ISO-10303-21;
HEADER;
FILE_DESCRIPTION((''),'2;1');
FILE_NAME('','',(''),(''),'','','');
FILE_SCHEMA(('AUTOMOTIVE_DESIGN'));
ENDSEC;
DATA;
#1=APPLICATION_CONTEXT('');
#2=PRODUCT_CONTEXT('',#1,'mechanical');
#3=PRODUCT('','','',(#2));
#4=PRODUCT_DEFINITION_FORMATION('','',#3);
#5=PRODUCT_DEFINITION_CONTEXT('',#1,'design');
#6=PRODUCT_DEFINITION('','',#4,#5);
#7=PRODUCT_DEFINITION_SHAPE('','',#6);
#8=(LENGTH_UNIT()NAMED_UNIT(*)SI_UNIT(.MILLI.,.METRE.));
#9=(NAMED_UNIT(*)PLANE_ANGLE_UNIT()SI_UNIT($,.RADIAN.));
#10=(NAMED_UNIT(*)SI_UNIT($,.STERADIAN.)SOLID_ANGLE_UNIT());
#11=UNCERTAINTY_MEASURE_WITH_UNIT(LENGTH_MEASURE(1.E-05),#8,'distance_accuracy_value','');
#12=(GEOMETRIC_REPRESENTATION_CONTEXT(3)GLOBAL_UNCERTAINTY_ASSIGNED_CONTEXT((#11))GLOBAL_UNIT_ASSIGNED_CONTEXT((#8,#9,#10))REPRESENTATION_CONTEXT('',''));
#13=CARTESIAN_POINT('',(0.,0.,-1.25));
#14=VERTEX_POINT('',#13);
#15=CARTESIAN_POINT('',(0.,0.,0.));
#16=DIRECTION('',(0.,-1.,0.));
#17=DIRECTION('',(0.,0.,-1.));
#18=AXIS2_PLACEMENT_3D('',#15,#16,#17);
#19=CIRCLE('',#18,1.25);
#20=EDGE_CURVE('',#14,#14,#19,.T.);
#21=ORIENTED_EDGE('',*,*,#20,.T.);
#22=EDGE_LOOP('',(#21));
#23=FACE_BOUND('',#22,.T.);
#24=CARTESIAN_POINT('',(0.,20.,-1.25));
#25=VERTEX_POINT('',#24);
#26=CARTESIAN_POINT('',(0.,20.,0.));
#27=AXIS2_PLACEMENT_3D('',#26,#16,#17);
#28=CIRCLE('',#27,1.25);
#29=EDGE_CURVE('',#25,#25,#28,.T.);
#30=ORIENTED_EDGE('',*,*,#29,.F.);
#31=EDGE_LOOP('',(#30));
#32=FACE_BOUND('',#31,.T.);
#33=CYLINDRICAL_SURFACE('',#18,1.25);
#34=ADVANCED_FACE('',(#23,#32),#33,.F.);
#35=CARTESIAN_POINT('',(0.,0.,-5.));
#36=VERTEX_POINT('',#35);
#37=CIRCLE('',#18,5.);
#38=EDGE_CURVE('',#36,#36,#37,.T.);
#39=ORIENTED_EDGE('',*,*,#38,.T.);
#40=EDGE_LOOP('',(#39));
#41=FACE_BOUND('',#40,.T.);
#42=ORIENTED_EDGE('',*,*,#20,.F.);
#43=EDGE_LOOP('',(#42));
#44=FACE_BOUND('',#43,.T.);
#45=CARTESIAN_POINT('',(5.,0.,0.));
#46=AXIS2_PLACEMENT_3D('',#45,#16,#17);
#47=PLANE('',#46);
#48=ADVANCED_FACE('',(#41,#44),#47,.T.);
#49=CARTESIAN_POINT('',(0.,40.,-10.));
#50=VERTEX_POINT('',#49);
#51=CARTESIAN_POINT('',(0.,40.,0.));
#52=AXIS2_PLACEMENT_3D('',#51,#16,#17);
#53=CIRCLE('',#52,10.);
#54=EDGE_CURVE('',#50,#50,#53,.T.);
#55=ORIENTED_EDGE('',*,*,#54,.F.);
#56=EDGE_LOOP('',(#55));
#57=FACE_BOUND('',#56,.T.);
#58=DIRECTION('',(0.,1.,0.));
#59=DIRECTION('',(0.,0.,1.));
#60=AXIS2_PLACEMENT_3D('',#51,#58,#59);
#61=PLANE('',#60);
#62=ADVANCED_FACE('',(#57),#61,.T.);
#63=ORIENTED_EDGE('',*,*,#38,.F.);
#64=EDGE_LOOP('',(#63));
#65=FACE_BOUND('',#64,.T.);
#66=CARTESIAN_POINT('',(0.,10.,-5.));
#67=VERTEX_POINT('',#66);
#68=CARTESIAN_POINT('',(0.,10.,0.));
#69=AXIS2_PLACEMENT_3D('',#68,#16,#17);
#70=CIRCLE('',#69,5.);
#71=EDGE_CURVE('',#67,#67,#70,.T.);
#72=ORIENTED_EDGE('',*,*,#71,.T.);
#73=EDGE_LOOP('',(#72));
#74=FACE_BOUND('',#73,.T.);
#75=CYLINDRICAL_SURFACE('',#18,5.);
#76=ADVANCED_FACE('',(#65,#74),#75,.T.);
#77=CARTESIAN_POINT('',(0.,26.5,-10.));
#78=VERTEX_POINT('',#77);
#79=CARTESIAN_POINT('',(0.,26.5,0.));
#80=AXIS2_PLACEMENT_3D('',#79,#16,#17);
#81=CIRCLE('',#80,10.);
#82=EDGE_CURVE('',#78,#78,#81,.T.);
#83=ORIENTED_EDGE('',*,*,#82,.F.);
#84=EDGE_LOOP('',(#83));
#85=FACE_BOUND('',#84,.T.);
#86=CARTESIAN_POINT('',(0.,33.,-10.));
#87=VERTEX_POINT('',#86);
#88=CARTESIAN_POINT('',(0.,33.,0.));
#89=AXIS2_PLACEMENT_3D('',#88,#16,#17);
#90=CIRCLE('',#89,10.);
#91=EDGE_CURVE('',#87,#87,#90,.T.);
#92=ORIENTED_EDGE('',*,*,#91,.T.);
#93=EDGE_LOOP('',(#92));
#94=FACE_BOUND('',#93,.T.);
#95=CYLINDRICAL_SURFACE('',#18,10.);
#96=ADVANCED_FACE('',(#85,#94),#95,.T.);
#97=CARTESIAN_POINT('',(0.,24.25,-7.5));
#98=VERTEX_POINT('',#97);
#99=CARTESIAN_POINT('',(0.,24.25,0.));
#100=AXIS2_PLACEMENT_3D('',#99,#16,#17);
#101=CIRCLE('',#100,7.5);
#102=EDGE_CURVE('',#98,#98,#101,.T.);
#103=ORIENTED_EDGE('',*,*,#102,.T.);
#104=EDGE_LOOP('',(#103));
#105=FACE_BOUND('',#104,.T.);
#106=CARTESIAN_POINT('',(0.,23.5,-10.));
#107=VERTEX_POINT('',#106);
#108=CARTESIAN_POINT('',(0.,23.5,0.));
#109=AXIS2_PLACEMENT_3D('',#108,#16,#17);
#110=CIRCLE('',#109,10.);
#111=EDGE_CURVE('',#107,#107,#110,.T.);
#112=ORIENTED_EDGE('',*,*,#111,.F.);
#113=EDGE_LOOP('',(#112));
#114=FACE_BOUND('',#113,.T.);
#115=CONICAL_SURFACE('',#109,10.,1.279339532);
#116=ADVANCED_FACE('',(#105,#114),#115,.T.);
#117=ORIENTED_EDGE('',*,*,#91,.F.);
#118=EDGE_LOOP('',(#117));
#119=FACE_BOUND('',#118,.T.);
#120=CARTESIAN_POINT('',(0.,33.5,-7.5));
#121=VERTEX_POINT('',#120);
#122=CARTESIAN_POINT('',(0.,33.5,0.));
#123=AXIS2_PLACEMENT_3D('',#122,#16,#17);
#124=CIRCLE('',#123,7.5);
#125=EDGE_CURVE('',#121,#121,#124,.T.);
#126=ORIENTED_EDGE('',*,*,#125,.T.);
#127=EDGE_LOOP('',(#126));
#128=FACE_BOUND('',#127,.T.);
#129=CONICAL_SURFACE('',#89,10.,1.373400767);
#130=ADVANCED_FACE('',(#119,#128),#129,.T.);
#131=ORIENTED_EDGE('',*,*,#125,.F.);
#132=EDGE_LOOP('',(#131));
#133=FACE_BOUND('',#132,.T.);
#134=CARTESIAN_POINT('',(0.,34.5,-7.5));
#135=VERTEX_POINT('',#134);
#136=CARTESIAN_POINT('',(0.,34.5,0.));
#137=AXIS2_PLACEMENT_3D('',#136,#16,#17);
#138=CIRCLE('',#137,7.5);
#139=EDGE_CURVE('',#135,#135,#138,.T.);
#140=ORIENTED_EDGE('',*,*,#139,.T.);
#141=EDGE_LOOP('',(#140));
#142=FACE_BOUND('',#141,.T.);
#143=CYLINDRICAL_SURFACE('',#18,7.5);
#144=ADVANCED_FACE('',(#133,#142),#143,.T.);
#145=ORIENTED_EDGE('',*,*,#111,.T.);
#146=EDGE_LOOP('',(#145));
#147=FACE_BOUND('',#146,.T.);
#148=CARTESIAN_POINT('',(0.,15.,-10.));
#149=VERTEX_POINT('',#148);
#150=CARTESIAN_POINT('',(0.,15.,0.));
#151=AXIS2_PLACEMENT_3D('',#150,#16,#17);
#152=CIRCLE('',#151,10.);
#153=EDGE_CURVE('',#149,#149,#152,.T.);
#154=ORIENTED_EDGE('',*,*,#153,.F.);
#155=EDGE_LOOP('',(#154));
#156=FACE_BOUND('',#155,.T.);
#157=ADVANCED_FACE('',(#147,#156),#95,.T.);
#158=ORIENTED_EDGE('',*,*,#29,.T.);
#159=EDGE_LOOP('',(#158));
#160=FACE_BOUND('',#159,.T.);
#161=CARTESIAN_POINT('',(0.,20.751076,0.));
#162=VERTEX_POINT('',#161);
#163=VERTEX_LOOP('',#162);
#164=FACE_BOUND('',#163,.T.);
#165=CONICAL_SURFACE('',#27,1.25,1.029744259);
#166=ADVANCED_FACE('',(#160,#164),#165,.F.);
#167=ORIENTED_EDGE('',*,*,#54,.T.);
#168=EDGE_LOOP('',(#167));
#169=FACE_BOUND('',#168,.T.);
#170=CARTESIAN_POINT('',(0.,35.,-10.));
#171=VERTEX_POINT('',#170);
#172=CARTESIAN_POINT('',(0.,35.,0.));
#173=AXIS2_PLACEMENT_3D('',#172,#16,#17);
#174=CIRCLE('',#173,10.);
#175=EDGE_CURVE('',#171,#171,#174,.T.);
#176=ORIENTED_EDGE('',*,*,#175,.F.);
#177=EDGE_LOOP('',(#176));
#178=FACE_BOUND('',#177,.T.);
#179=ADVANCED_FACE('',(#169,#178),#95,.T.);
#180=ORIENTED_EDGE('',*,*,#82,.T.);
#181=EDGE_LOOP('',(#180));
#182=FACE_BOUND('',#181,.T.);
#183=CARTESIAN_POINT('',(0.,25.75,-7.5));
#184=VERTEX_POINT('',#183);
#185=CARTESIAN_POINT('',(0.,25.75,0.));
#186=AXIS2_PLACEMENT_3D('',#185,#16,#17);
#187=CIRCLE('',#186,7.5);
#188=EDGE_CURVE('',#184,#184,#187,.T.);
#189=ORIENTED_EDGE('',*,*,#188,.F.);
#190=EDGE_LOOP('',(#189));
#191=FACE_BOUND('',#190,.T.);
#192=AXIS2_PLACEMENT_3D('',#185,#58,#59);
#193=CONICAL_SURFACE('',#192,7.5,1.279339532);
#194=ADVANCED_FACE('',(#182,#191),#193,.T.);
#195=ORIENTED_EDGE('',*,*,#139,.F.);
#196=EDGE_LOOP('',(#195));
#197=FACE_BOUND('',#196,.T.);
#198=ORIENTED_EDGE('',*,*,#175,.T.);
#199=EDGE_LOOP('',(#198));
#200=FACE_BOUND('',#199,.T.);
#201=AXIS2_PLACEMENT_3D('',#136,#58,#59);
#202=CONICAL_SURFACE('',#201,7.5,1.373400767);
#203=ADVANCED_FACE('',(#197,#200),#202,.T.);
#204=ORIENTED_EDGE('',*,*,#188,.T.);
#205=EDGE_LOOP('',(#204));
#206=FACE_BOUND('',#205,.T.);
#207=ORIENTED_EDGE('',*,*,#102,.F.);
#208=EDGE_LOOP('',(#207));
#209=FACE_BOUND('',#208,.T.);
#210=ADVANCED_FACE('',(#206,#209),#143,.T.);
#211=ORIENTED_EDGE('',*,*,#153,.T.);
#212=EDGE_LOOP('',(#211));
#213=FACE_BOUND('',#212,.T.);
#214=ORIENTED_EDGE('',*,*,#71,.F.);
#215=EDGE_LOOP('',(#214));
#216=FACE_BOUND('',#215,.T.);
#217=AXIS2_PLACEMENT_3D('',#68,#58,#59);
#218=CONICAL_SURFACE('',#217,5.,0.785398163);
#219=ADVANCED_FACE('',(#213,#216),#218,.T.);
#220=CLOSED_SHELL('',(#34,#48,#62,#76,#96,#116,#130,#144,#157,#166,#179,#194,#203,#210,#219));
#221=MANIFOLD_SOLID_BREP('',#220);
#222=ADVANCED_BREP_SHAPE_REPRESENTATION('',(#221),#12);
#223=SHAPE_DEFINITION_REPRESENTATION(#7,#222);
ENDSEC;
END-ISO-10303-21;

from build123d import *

# Parameters (mm, degrees)
M3_GEWINDEBOHRUNG1_D     = 2.5
M3_GEWINDEBOHRUNG1_DEPTH = 20
M3_GEWINDEBOHRUNG1_TIP   = 0.751075774


with BuildPart() as part:
    # Esboço1 → Revolução1 (revolve)
    with BuildSketch(Plane.XY, mode=Mode.PRIVATE) as revolu_o1_sk:
        Polygon((0, 0), (0, 40), (10, 40), (10, 35), (7.5, 34.5), (7.5, 33.5), (10, 33), (10, 26.5), (7.5, 25.75), (7.5, 24.25), (10, 23.5), (10, 15), (5, 10), (5, 0), align=None)
    revolve(revolu_o1_sk.sketch.rotate(Axis((0, 0, 0), (0, 1, 0)), 90), axis=Axis((0, 0, 0), (0, 1, 0)))

    # M3 Gewindebohrung1
    with Locations(Plane(origin=(0, 0, 0), x_dir=(0, 0, -1), z_dir=(0, -1, 0))):
        with Locations((0, 0)):
            Hole(M3_GEWINDEBOHRUNG1_D / 2, depth=M3_GEWINDEBOHRUNG1_DEPTH)
            with Locations((0, 0, -(M3_GEWINDEBOHRUNG1_DEPTH + M3_GEWINDEBOHRUNG1_TIP / 2))):  # 118° drill point
                Cone(0, M3_GEWINDEBOHRUNG1_D / 2, M3_GEWINDEBOHRUNG1_TIP, mode=Mode.SUBTRACT)


solid = part.part
